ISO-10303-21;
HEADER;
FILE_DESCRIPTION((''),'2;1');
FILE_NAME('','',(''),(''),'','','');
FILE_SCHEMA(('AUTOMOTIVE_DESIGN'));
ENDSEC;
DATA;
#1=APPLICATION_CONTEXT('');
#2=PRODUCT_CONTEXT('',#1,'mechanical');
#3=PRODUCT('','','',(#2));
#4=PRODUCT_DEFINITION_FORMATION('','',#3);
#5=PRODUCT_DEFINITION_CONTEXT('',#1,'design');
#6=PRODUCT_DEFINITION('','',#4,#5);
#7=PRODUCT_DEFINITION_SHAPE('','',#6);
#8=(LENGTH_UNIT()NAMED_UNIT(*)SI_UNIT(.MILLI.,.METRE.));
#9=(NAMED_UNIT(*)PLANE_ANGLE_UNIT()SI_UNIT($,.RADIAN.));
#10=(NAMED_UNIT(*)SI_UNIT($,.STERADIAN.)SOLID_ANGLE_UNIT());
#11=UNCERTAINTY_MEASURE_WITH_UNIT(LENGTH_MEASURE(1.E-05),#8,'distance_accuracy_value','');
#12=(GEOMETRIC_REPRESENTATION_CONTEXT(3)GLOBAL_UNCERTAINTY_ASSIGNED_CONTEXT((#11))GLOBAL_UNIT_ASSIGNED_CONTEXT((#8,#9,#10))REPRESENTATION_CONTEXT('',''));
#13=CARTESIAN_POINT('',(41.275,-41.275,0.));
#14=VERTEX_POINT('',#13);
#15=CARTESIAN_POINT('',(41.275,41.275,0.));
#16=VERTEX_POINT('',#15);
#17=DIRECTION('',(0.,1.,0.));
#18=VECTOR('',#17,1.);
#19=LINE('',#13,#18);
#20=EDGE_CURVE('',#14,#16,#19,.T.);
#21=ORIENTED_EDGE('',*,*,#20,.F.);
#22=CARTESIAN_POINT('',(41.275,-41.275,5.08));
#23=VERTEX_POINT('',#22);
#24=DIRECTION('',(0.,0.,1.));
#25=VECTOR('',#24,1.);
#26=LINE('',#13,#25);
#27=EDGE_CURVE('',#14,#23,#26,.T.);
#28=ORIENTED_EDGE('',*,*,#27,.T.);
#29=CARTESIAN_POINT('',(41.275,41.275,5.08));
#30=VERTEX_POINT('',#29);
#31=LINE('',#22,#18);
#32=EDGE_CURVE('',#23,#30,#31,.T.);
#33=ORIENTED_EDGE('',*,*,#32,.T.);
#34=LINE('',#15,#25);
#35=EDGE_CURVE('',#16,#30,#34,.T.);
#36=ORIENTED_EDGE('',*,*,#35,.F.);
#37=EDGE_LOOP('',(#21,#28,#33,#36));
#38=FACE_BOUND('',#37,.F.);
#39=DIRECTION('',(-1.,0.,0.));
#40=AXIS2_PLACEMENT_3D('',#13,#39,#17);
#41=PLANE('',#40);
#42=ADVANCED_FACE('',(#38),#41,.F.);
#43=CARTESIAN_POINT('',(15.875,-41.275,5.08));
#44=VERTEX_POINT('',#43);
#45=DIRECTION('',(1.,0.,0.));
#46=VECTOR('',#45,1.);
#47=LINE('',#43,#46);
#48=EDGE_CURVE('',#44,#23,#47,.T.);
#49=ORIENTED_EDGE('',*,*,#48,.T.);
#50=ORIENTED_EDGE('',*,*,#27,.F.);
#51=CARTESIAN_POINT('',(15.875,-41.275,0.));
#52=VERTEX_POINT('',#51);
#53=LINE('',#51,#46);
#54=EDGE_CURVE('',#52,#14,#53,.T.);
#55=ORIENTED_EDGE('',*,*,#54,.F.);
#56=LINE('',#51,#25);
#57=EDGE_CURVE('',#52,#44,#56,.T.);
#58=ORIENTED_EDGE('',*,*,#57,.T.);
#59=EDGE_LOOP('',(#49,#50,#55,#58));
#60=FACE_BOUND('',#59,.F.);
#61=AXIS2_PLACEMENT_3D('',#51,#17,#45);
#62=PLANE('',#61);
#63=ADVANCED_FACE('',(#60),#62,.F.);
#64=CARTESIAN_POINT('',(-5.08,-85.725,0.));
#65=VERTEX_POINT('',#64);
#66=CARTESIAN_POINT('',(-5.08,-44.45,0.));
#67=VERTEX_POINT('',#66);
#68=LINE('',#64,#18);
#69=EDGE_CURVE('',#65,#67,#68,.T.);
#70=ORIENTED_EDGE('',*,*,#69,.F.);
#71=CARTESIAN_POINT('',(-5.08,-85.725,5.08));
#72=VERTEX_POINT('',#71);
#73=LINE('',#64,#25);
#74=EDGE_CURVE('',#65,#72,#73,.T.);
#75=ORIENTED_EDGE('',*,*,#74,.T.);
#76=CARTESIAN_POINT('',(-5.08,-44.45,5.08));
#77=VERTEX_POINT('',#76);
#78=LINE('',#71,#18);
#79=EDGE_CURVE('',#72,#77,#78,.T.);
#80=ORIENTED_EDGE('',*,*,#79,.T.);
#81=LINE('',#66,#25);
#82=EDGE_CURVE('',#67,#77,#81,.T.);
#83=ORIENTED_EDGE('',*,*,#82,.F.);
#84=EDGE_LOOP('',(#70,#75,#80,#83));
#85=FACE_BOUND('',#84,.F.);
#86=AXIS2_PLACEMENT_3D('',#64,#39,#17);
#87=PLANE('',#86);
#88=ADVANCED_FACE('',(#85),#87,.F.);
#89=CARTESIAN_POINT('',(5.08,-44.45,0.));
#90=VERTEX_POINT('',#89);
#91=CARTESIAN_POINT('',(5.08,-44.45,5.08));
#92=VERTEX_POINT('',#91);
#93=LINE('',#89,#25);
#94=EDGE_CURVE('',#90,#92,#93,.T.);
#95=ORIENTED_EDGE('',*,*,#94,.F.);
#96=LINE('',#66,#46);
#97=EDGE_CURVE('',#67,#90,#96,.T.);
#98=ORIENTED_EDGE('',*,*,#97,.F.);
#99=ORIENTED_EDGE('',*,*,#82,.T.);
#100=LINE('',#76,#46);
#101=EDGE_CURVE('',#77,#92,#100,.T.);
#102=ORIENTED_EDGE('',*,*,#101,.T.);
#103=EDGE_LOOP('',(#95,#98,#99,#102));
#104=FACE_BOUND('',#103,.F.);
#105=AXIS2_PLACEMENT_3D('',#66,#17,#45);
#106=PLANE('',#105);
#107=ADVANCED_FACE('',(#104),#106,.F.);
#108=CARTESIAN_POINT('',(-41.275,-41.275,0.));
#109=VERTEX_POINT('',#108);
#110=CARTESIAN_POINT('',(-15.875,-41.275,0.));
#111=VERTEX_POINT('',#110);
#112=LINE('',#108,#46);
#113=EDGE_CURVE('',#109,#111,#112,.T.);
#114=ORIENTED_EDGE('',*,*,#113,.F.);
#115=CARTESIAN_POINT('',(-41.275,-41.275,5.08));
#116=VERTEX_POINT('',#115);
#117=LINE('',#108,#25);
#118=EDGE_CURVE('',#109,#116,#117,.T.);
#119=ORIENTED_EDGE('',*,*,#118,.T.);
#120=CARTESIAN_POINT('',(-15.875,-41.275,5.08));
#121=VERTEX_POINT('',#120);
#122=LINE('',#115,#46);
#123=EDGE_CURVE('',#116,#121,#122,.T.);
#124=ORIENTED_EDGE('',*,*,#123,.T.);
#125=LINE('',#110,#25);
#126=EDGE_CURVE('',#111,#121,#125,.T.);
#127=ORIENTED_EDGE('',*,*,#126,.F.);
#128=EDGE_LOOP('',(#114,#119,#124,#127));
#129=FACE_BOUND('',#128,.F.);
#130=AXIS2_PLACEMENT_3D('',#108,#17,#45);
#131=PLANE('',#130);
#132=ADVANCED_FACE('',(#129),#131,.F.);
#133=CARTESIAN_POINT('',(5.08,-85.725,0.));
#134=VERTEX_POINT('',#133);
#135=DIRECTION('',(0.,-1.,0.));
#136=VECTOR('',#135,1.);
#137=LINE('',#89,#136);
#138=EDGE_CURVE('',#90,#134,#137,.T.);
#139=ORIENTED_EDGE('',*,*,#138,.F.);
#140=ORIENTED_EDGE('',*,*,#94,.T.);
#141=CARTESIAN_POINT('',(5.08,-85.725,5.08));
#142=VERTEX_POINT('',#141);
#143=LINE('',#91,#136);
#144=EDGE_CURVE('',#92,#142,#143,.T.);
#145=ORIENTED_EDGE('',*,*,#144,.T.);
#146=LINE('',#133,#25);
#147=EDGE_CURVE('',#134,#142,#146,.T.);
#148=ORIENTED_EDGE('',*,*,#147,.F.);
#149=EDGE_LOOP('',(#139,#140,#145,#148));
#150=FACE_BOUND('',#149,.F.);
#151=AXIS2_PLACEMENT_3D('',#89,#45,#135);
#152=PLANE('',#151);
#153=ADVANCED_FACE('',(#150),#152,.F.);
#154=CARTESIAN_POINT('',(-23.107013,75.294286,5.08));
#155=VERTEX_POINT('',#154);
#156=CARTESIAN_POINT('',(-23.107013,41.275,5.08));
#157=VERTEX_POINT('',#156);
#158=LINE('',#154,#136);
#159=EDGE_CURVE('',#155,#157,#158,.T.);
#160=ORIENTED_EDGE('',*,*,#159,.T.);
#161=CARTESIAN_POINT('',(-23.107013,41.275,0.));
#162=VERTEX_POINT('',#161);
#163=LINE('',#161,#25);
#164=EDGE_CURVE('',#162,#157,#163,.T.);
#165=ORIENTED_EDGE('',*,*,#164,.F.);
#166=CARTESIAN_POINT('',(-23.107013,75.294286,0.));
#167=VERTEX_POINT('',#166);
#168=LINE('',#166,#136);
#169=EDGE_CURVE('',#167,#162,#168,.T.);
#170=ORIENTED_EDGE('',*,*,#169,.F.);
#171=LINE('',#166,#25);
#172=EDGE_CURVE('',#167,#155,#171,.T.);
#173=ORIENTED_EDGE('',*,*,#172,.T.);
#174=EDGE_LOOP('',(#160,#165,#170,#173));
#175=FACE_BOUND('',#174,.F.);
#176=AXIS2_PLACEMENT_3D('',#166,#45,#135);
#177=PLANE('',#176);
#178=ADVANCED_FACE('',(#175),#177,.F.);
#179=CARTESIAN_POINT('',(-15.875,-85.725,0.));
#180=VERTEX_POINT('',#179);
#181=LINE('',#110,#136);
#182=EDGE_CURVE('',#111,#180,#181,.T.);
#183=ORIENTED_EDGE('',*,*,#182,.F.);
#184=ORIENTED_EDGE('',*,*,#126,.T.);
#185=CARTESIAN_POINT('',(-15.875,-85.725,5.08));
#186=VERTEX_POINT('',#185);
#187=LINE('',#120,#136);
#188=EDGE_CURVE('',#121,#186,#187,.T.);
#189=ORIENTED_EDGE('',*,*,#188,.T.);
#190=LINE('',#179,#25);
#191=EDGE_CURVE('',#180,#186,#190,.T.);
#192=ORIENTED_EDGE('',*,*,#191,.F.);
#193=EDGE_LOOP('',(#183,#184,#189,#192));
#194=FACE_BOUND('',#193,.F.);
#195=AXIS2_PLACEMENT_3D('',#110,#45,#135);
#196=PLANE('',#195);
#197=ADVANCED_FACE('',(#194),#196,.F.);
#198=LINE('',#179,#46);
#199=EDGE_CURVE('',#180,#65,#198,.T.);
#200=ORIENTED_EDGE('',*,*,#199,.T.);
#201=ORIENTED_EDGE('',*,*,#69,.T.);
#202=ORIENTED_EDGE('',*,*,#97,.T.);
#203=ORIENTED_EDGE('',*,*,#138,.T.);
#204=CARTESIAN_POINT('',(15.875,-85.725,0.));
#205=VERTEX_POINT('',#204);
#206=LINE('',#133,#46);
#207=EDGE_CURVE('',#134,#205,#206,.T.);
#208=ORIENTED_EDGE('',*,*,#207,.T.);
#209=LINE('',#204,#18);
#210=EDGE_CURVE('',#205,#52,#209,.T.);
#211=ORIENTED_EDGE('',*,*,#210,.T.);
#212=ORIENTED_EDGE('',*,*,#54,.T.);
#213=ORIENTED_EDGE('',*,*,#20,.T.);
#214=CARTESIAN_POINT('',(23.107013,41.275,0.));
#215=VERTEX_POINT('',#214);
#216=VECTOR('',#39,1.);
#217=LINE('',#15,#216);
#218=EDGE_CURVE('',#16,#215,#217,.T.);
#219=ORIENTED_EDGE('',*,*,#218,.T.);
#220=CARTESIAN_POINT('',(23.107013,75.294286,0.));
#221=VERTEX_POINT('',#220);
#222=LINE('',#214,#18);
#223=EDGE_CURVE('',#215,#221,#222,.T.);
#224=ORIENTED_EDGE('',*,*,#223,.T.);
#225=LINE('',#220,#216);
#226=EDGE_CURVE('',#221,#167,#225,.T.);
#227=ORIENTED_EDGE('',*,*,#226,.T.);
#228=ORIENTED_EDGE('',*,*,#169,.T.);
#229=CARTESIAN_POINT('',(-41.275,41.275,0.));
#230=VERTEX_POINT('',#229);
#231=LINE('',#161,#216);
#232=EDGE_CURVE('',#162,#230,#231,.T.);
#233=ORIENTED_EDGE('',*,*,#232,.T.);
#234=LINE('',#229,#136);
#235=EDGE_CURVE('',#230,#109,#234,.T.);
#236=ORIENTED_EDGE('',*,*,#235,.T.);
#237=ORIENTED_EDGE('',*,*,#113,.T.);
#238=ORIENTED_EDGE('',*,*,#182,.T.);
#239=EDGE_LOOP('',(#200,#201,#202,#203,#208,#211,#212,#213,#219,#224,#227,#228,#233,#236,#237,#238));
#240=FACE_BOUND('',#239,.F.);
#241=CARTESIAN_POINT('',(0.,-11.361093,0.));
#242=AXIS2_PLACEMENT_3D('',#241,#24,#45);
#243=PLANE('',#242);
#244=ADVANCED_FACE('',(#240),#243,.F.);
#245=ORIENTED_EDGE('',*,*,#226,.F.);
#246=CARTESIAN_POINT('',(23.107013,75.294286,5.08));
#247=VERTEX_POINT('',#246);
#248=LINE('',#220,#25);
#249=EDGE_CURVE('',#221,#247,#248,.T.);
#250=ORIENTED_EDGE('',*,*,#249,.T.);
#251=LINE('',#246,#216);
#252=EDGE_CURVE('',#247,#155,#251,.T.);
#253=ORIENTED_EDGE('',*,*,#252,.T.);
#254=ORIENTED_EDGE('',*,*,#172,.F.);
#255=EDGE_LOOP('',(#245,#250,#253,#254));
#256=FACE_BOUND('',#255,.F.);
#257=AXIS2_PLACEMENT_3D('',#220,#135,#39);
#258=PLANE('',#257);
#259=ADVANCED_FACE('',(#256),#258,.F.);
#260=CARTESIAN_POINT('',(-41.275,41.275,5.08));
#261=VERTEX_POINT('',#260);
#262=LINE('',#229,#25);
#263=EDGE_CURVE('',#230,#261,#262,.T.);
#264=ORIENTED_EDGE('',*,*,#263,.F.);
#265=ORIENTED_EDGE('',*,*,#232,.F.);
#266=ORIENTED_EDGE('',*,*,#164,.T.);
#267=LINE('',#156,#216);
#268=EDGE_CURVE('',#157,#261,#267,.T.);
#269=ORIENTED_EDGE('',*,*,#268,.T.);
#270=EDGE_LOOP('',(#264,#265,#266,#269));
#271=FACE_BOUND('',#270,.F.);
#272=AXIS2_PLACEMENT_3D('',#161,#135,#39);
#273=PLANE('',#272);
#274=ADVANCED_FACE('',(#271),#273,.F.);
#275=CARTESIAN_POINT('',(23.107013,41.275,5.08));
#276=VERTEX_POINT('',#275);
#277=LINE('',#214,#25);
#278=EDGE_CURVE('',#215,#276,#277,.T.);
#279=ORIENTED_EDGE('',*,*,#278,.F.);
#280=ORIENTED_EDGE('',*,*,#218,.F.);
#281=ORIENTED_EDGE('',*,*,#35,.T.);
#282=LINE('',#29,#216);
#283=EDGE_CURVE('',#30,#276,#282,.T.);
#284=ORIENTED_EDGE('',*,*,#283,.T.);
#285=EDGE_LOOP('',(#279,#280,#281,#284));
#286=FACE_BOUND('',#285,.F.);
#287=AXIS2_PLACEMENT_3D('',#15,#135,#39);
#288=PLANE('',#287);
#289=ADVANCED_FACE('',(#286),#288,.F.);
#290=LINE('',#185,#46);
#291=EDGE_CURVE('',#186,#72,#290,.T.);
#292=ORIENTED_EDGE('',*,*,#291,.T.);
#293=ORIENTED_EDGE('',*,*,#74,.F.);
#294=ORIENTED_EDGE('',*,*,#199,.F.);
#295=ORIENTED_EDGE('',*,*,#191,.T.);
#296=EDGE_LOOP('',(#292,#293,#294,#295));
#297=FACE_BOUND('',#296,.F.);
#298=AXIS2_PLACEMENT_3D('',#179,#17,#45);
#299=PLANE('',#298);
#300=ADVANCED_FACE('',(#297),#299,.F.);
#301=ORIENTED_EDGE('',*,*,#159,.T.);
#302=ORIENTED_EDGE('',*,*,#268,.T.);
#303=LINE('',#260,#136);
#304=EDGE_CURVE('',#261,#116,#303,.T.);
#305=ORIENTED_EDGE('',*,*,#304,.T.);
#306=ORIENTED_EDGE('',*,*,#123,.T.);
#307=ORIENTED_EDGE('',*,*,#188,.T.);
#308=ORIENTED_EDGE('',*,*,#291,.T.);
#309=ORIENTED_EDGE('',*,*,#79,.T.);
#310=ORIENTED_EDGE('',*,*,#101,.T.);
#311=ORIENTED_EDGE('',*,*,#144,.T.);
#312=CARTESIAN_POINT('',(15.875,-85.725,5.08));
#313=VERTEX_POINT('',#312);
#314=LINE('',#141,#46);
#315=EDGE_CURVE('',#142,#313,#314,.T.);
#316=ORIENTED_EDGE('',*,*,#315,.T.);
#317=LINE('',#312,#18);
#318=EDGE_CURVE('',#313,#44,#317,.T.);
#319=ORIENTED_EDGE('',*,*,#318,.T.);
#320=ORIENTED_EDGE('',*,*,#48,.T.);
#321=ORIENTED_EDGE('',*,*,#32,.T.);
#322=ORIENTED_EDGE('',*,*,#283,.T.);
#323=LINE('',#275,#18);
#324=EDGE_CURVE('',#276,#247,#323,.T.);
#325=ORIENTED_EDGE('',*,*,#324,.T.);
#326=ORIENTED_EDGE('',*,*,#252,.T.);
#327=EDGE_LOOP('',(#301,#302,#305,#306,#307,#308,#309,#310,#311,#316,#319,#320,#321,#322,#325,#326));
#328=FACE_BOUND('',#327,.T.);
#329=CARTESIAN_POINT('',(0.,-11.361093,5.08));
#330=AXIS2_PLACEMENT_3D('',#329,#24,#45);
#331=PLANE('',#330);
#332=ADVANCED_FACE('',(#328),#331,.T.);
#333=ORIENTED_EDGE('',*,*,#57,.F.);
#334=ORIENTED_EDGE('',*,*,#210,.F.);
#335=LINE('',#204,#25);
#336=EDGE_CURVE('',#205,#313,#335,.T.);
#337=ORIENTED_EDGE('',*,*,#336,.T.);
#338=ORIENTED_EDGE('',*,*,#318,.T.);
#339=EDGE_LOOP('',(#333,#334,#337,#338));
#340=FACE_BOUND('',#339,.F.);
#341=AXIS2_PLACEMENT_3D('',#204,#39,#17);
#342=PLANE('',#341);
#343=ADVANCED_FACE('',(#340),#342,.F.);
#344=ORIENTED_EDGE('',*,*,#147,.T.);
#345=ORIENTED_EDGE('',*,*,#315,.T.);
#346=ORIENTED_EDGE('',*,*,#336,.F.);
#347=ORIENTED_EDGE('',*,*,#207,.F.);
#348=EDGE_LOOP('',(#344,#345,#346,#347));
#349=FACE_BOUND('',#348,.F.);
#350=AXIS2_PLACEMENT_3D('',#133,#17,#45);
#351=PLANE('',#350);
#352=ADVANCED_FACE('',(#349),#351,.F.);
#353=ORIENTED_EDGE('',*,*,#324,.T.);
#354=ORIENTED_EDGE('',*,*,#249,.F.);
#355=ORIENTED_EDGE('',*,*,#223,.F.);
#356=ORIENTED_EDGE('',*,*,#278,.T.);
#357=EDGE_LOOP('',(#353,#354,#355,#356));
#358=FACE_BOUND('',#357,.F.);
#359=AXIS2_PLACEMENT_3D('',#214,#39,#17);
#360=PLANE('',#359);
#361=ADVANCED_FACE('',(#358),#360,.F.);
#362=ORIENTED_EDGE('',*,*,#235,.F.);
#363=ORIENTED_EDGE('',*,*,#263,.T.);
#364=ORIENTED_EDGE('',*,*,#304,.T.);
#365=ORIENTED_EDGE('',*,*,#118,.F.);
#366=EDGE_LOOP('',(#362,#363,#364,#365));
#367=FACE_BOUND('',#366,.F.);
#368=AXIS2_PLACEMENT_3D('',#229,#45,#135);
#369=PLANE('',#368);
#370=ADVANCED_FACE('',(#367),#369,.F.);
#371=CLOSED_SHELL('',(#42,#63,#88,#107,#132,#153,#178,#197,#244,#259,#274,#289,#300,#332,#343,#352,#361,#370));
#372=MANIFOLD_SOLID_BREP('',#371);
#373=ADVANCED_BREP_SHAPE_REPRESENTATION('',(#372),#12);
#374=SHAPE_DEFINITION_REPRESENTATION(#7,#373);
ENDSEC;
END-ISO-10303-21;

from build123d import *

# Parameters (mm, degrees)
F1_DEPTH = 5.08


with BuildPart() as f1:
    # F0 (on Top) → F1 (new body)
    with BuildSketch(Plane.XY):
        Polygon((41.275, -41.275), (41.275, 41.275), (23.107013, 41.275), (23.107013, 75.294286), (-23.107013, 75.294286), (-23.107013, 41.275), (-41.275, 41.275), (-41.275, -41.275), (-15.875, -41.275), (-15.875, -85.725), (-5.08, -85.725), (-5.08, -44.45), (5.08, -44.45), (5.08, -85.725), (15.875, -85.725), (15.875, -41.275), align=None)
    extrude(amount=F1_DEPTH)


solid = f1.part
